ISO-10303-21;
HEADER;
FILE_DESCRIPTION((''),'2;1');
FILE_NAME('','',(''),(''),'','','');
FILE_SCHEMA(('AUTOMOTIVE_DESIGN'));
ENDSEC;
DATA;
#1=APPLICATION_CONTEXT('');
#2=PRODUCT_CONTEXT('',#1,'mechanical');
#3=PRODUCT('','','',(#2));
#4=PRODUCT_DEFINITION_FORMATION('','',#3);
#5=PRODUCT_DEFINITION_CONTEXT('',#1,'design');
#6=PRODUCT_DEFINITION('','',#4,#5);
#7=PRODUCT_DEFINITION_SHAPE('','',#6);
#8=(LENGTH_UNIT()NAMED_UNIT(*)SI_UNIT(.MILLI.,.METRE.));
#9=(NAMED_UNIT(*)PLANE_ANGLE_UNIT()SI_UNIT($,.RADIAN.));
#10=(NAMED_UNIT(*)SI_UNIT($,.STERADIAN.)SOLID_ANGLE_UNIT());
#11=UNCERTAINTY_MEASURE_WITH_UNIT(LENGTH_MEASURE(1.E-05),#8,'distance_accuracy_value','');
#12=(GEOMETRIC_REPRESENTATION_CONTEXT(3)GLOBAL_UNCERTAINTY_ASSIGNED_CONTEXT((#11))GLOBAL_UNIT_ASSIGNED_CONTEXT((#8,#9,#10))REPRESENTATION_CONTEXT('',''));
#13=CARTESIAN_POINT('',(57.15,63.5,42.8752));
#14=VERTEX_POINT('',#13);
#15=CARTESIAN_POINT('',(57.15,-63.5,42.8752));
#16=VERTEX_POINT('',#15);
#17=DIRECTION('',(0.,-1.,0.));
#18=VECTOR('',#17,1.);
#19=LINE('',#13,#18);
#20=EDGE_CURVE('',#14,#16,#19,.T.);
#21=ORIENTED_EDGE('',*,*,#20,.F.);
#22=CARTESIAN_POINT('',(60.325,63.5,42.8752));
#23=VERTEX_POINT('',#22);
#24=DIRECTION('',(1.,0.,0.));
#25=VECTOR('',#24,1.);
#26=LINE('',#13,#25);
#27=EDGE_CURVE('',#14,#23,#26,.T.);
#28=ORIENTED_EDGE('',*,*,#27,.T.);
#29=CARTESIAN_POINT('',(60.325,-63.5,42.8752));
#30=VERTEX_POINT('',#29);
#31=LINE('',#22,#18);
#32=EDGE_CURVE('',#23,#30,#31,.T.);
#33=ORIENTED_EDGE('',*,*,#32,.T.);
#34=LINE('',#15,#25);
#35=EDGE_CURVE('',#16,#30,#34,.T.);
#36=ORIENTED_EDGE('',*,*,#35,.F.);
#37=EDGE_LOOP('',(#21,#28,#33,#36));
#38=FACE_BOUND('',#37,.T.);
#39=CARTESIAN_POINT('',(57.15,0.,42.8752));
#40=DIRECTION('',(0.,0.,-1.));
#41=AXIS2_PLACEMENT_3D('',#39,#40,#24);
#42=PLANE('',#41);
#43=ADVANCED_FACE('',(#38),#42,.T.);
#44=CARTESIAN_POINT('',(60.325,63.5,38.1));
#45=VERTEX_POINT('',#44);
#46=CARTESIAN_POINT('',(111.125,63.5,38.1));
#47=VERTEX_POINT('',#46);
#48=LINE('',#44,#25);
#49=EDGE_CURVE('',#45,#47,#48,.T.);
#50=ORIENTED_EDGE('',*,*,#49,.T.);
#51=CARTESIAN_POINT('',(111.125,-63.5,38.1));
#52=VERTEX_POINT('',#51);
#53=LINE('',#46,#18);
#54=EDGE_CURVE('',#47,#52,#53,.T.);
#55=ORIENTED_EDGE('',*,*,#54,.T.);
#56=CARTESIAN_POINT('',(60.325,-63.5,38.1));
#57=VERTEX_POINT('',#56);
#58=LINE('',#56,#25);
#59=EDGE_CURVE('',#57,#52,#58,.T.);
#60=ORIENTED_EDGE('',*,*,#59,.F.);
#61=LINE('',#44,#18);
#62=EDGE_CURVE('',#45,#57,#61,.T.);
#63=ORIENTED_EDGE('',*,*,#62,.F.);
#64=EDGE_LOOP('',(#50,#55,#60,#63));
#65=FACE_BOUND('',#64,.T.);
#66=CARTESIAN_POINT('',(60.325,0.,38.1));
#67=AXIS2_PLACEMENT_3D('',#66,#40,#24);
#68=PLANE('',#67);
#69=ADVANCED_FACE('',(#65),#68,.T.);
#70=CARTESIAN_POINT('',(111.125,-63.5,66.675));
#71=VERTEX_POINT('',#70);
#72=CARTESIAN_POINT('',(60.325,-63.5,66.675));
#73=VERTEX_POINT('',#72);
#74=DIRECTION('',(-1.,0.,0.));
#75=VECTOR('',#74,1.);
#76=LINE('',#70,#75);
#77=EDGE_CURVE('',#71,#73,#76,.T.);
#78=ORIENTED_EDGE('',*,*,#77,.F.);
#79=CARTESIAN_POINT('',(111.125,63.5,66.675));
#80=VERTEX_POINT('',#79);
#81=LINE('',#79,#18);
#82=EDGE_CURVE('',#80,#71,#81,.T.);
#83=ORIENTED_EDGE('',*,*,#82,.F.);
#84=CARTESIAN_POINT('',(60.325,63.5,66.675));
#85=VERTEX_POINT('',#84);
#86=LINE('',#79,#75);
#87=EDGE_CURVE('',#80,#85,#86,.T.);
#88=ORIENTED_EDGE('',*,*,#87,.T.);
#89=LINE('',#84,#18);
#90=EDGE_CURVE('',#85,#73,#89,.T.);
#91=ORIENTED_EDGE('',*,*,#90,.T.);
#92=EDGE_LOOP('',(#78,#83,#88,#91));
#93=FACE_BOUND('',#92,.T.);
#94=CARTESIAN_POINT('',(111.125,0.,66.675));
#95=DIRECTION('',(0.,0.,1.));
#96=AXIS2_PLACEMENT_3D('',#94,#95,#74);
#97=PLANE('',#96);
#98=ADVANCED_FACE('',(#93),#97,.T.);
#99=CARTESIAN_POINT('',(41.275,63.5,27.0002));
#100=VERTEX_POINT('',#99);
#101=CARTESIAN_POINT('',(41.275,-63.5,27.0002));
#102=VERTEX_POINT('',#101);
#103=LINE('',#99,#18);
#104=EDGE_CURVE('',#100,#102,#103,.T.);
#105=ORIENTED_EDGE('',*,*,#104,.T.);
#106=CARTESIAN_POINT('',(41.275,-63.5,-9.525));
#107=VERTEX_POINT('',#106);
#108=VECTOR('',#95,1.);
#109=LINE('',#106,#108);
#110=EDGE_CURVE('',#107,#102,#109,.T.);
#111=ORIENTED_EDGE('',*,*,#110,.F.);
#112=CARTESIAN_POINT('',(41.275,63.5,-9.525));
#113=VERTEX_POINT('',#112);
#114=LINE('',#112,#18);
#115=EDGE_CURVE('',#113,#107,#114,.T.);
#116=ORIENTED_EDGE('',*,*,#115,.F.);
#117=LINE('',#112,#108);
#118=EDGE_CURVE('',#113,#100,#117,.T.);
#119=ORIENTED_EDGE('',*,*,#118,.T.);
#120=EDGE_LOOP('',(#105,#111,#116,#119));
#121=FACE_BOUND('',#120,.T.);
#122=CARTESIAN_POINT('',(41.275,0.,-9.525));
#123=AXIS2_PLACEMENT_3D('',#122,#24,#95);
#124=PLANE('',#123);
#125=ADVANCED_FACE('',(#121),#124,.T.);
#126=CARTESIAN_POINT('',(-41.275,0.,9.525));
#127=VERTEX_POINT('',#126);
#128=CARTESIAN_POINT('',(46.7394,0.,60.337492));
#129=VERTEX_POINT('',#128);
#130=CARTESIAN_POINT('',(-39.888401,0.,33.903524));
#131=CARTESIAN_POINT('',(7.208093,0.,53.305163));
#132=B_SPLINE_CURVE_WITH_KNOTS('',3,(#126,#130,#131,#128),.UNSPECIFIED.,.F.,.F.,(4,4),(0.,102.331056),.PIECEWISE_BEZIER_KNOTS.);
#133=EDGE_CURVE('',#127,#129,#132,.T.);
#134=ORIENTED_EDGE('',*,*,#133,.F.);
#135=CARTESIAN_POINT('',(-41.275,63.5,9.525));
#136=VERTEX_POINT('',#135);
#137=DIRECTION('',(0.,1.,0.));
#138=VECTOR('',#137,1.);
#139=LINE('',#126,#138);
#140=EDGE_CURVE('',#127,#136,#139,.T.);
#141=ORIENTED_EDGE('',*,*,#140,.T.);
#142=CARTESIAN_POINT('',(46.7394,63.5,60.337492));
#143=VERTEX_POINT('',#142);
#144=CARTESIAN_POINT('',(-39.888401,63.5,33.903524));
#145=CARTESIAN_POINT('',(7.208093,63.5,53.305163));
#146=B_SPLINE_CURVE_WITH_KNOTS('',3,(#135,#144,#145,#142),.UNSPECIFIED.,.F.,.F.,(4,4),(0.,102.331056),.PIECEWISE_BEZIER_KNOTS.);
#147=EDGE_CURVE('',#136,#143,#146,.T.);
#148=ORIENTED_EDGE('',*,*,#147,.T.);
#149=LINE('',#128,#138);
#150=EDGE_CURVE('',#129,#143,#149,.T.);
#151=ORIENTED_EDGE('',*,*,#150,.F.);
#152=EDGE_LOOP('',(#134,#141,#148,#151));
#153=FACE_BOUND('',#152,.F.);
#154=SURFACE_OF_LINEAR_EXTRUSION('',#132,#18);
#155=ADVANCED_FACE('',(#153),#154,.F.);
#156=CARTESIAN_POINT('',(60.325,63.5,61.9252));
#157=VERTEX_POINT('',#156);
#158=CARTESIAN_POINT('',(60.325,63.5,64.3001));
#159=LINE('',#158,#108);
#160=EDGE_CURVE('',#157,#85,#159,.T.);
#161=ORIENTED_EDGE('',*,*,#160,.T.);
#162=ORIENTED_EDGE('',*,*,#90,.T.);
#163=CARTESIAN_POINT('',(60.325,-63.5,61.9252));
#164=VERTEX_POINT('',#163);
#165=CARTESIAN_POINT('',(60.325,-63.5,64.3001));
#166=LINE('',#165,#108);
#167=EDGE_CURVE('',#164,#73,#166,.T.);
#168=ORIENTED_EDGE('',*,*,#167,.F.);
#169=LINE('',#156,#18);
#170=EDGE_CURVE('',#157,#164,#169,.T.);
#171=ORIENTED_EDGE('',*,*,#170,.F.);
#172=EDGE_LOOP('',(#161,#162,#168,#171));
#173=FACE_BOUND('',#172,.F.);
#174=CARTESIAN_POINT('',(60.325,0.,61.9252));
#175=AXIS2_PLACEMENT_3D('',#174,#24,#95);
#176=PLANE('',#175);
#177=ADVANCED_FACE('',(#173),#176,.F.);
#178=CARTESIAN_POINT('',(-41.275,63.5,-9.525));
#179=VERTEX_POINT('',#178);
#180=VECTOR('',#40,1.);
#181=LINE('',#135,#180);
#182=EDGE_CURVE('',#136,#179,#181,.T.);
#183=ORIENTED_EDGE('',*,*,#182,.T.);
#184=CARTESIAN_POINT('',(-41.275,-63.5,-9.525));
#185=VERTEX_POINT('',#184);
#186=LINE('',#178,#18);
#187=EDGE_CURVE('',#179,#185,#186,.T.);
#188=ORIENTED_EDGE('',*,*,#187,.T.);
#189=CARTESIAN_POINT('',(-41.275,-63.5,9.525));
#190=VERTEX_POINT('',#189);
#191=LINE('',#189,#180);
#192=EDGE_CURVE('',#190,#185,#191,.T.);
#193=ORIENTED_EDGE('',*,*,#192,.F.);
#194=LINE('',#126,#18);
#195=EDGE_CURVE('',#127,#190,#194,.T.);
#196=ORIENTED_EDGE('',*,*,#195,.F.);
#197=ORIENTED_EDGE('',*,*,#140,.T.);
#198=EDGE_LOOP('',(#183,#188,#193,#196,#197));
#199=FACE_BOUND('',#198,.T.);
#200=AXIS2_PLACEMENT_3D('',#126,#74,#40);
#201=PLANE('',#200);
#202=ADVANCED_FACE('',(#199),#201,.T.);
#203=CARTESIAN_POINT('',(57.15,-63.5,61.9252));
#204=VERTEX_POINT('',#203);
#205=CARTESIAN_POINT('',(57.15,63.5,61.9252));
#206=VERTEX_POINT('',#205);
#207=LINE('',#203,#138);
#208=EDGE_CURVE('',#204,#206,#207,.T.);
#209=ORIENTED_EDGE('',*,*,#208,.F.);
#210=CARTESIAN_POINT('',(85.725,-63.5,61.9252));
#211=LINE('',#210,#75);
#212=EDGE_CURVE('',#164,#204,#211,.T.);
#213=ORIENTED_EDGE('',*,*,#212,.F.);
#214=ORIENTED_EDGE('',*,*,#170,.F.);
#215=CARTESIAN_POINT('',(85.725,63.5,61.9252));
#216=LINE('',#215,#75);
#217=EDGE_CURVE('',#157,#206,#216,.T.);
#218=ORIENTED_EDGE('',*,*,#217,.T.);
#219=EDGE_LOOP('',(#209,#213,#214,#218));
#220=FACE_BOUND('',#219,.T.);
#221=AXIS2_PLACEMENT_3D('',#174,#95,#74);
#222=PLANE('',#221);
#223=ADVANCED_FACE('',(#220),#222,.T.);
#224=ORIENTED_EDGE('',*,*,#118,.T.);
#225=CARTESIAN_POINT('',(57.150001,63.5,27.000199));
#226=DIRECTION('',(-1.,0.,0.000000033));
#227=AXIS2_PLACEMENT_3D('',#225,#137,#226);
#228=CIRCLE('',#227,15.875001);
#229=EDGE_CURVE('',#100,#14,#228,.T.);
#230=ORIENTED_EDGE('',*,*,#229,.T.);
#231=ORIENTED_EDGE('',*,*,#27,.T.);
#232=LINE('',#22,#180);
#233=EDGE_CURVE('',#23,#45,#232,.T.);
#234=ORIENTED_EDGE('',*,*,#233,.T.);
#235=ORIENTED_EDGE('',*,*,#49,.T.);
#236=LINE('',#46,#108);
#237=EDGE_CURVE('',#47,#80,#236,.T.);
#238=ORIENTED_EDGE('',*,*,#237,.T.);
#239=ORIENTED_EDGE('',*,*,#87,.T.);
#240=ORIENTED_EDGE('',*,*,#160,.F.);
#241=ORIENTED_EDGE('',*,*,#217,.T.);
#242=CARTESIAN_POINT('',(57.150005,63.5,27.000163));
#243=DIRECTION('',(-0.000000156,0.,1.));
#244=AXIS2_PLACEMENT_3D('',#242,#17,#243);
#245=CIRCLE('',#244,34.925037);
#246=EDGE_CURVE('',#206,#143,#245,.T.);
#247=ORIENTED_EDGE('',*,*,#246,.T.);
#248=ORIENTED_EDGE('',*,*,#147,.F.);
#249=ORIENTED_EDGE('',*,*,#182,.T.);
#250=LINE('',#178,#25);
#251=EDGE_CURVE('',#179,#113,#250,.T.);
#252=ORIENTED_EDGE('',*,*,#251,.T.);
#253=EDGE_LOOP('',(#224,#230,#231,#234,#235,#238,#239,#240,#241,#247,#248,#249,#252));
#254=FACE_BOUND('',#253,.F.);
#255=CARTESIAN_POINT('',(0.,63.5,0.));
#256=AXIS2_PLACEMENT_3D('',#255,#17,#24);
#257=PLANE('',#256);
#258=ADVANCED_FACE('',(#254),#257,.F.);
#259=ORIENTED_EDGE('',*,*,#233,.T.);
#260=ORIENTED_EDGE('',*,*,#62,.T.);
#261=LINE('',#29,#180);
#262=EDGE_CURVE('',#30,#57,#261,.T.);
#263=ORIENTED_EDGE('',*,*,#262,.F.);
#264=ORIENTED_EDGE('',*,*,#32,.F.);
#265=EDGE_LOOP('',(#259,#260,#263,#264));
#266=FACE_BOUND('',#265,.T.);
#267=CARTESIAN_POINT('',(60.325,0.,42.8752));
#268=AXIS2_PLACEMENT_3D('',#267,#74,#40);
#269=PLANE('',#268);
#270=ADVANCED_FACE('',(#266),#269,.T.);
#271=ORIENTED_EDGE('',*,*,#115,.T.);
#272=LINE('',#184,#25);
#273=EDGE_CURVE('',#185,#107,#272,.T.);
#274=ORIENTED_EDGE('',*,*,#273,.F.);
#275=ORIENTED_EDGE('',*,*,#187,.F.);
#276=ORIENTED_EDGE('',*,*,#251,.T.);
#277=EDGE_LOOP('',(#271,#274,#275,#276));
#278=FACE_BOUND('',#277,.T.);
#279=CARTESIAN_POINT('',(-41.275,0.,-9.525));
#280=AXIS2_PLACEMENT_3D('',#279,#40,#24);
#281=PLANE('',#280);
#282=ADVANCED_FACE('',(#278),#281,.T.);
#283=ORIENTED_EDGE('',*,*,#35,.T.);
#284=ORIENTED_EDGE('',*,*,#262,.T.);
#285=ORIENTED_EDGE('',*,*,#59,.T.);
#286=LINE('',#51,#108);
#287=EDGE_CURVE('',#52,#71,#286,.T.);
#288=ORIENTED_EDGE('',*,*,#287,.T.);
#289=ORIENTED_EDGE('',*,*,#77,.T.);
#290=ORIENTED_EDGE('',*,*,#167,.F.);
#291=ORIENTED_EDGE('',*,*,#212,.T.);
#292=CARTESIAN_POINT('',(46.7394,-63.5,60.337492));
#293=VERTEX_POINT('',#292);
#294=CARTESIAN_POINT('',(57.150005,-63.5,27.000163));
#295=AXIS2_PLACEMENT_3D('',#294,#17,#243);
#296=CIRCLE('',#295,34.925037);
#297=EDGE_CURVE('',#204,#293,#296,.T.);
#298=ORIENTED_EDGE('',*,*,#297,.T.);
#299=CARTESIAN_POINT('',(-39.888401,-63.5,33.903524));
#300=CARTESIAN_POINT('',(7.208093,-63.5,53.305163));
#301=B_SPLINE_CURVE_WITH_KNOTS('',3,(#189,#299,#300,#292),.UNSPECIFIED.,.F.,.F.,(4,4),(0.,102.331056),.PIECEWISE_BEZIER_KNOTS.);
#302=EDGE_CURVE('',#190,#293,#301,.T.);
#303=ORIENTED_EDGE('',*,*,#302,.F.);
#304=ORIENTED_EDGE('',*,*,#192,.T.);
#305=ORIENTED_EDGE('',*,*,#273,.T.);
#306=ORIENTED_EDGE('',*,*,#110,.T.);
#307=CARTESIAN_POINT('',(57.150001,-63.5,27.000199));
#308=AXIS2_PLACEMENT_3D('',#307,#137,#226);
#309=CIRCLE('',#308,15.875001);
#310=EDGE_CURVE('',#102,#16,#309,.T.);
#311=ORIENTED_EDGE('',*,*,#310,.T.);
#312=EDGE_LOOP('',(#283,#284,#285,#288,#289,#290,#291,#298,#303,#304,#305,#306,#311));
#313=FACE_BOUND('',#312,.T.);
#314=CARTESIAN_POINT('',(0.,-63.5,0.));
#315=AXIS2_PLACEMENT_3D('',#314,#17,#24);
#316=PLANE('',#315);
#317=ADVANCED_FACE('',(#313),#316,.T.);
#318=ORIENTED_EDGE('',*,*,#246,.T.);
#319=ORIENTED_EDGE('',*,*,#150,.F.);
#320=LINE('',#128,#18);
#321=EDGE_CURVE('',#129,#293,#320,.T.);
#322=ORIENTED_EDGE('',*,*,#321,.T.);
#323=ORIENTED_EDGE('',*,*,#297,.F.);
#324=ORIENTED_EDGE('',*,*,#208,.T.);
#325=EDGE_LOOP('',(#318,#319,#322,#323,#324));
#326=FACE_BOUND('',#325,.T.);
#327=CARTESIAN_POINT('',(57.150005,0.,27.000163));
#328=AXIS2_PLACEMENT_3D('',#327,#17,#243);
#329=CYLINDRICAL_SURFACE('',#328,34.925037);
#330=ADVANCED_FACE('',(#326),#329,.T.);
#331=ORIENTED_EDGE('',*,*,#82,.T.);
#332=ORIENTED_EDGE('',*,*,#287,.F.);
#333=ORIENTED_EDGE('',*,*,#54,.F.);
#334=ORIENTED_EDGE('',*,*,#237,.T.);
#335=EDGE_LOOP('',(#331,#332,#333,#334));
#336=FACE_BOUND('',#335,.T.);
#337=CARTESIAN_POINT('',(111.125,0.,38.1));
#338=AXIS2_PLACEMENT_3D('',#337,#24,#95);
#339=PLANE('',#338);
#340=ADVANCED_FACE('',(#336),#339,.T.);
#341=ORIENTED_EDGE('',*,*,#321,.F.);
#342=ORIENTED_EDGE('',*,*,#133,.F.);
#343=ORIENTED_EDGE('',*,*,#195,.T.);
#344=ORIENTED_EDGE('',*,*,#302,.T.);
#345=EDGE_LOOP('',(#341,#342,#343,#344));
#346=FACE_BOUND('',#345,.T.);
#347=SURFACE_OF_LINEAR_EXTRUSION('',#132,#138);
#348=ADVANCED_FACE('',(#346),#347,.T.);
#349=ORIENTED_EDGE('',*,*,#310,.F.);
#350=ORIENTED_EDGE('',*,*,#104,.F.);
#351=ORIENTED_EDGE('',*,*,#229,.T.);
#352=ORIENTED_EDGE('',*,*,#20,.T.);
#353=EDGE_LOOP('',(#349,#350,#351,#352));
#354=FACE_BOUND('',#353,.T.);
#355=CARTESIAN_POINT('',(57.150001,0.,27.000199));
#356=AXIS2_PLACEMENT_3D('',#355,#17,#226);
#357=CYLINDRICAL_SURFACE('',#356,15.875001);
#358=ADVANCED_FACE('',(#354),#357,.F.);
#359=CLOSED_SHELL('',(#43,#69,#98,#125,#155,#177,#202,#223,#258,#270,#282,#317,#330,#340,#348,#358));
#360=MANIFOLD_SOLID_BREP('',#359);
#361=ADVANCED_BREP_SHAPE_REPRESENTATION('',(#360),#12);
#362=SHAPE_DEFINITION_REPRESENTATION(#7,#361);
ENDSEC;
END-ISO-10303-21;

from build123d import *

# Parameters (mm, degrees)
F0_W     = 25.4
F0_H     = 4.7498
F1_DEPTH = 63.5


with BuildPart() as f1:
    # F0 (on Front) → F1 (new body, symmetric)
    with BuildSketch(Plane.XZ):
        Polygon((-41.275, 9.525), (-41.275, -9.525), (41.275, -9.525), (41.275, 9.525), (22.225, 9.525), align=None)
        with BuildLine():
            add(Edge.make_bspline(
                [(-41.275, 9.525), (-39.888401, 33.903524), (7.208093, 53.305163), (46.7394, 60.337492)],
                knots=[0, 0, 0, 0, 102.331056, 102.331056, 102.331056, 102.331056], degree=3))
            Line((-41.275, 9.525), (22.225, 9.525))
            Line((22.225, 9.525), (22.225, 27.0002))
            ThreePointArc((22.225, 27.0002), (29.013317, 47.69036), (46.7394, 60.337492))
        make_face()
        with BuildLine():
            Line((22.225, 9.525), (41.275, 9.525))
            Line((41.275, 9.525), (41.275, 27.0002))
            ThreePointArc((41.275, 27.0002), (45.92468, 38.22552), (57.15, 42.8752))
            Line((57.15, 42.8752), (60.325, 42.8752))
            Line((60.325, 42.8752), (60.325, 61.9252))
            Line((60.325, 61.9252), (57.15, 61.9252))
            add(Edge.make_bspline(
                [(46.7394, 60.337492), (50.283189, 60.967906), (53.766182, 61.498917), (57.15, 61.9252)],
                knots=[102.331056, 102.331056, 102.331056, 102.331056, 111.504536, 111.504536, 111.504536, 111.504536], degree=3))
            ThreePointArc((46.7394, 60.337492), (29.013317, 47.69036), (22.225, 27.0002))
            Line((22.225, 27.0002), (22.225, 9.525))
        make_face()
        with BuildLine():
            ThreePointArc((57.15, 61.9252), (51.884513, 61.525991), (46.7394, 60.337492))
            add(Edge.make_bspline(
                [(46.7394, 60.337492), (50.283189, 60.967906), (53.766182, 61.498917), (57.15, 61.9252)],
                knots=[102.331056, 102.331056, 102.331056, 102.331056, 111.504536, 111.504536, 111.504536, 111.504536], degree=3))
        make_face()
        Polygon((85.725, 61.9252), (60.325, 61.9252), (60.325, 42.8752), (60.325, 38.1), (85.725, 38.1), align=None)
        with Locations((73.025, 64.3001)):
            Rectangle(F0_W, F0_H)
        Polygon((85.725, 66.675), (85.725, 61.9252), (85.725, 38.1), (111.125, 38.1), (111.125, 66.675), align=None)
    extrude(amount=F1_DEPTH, both=True)


solid = f1.part
